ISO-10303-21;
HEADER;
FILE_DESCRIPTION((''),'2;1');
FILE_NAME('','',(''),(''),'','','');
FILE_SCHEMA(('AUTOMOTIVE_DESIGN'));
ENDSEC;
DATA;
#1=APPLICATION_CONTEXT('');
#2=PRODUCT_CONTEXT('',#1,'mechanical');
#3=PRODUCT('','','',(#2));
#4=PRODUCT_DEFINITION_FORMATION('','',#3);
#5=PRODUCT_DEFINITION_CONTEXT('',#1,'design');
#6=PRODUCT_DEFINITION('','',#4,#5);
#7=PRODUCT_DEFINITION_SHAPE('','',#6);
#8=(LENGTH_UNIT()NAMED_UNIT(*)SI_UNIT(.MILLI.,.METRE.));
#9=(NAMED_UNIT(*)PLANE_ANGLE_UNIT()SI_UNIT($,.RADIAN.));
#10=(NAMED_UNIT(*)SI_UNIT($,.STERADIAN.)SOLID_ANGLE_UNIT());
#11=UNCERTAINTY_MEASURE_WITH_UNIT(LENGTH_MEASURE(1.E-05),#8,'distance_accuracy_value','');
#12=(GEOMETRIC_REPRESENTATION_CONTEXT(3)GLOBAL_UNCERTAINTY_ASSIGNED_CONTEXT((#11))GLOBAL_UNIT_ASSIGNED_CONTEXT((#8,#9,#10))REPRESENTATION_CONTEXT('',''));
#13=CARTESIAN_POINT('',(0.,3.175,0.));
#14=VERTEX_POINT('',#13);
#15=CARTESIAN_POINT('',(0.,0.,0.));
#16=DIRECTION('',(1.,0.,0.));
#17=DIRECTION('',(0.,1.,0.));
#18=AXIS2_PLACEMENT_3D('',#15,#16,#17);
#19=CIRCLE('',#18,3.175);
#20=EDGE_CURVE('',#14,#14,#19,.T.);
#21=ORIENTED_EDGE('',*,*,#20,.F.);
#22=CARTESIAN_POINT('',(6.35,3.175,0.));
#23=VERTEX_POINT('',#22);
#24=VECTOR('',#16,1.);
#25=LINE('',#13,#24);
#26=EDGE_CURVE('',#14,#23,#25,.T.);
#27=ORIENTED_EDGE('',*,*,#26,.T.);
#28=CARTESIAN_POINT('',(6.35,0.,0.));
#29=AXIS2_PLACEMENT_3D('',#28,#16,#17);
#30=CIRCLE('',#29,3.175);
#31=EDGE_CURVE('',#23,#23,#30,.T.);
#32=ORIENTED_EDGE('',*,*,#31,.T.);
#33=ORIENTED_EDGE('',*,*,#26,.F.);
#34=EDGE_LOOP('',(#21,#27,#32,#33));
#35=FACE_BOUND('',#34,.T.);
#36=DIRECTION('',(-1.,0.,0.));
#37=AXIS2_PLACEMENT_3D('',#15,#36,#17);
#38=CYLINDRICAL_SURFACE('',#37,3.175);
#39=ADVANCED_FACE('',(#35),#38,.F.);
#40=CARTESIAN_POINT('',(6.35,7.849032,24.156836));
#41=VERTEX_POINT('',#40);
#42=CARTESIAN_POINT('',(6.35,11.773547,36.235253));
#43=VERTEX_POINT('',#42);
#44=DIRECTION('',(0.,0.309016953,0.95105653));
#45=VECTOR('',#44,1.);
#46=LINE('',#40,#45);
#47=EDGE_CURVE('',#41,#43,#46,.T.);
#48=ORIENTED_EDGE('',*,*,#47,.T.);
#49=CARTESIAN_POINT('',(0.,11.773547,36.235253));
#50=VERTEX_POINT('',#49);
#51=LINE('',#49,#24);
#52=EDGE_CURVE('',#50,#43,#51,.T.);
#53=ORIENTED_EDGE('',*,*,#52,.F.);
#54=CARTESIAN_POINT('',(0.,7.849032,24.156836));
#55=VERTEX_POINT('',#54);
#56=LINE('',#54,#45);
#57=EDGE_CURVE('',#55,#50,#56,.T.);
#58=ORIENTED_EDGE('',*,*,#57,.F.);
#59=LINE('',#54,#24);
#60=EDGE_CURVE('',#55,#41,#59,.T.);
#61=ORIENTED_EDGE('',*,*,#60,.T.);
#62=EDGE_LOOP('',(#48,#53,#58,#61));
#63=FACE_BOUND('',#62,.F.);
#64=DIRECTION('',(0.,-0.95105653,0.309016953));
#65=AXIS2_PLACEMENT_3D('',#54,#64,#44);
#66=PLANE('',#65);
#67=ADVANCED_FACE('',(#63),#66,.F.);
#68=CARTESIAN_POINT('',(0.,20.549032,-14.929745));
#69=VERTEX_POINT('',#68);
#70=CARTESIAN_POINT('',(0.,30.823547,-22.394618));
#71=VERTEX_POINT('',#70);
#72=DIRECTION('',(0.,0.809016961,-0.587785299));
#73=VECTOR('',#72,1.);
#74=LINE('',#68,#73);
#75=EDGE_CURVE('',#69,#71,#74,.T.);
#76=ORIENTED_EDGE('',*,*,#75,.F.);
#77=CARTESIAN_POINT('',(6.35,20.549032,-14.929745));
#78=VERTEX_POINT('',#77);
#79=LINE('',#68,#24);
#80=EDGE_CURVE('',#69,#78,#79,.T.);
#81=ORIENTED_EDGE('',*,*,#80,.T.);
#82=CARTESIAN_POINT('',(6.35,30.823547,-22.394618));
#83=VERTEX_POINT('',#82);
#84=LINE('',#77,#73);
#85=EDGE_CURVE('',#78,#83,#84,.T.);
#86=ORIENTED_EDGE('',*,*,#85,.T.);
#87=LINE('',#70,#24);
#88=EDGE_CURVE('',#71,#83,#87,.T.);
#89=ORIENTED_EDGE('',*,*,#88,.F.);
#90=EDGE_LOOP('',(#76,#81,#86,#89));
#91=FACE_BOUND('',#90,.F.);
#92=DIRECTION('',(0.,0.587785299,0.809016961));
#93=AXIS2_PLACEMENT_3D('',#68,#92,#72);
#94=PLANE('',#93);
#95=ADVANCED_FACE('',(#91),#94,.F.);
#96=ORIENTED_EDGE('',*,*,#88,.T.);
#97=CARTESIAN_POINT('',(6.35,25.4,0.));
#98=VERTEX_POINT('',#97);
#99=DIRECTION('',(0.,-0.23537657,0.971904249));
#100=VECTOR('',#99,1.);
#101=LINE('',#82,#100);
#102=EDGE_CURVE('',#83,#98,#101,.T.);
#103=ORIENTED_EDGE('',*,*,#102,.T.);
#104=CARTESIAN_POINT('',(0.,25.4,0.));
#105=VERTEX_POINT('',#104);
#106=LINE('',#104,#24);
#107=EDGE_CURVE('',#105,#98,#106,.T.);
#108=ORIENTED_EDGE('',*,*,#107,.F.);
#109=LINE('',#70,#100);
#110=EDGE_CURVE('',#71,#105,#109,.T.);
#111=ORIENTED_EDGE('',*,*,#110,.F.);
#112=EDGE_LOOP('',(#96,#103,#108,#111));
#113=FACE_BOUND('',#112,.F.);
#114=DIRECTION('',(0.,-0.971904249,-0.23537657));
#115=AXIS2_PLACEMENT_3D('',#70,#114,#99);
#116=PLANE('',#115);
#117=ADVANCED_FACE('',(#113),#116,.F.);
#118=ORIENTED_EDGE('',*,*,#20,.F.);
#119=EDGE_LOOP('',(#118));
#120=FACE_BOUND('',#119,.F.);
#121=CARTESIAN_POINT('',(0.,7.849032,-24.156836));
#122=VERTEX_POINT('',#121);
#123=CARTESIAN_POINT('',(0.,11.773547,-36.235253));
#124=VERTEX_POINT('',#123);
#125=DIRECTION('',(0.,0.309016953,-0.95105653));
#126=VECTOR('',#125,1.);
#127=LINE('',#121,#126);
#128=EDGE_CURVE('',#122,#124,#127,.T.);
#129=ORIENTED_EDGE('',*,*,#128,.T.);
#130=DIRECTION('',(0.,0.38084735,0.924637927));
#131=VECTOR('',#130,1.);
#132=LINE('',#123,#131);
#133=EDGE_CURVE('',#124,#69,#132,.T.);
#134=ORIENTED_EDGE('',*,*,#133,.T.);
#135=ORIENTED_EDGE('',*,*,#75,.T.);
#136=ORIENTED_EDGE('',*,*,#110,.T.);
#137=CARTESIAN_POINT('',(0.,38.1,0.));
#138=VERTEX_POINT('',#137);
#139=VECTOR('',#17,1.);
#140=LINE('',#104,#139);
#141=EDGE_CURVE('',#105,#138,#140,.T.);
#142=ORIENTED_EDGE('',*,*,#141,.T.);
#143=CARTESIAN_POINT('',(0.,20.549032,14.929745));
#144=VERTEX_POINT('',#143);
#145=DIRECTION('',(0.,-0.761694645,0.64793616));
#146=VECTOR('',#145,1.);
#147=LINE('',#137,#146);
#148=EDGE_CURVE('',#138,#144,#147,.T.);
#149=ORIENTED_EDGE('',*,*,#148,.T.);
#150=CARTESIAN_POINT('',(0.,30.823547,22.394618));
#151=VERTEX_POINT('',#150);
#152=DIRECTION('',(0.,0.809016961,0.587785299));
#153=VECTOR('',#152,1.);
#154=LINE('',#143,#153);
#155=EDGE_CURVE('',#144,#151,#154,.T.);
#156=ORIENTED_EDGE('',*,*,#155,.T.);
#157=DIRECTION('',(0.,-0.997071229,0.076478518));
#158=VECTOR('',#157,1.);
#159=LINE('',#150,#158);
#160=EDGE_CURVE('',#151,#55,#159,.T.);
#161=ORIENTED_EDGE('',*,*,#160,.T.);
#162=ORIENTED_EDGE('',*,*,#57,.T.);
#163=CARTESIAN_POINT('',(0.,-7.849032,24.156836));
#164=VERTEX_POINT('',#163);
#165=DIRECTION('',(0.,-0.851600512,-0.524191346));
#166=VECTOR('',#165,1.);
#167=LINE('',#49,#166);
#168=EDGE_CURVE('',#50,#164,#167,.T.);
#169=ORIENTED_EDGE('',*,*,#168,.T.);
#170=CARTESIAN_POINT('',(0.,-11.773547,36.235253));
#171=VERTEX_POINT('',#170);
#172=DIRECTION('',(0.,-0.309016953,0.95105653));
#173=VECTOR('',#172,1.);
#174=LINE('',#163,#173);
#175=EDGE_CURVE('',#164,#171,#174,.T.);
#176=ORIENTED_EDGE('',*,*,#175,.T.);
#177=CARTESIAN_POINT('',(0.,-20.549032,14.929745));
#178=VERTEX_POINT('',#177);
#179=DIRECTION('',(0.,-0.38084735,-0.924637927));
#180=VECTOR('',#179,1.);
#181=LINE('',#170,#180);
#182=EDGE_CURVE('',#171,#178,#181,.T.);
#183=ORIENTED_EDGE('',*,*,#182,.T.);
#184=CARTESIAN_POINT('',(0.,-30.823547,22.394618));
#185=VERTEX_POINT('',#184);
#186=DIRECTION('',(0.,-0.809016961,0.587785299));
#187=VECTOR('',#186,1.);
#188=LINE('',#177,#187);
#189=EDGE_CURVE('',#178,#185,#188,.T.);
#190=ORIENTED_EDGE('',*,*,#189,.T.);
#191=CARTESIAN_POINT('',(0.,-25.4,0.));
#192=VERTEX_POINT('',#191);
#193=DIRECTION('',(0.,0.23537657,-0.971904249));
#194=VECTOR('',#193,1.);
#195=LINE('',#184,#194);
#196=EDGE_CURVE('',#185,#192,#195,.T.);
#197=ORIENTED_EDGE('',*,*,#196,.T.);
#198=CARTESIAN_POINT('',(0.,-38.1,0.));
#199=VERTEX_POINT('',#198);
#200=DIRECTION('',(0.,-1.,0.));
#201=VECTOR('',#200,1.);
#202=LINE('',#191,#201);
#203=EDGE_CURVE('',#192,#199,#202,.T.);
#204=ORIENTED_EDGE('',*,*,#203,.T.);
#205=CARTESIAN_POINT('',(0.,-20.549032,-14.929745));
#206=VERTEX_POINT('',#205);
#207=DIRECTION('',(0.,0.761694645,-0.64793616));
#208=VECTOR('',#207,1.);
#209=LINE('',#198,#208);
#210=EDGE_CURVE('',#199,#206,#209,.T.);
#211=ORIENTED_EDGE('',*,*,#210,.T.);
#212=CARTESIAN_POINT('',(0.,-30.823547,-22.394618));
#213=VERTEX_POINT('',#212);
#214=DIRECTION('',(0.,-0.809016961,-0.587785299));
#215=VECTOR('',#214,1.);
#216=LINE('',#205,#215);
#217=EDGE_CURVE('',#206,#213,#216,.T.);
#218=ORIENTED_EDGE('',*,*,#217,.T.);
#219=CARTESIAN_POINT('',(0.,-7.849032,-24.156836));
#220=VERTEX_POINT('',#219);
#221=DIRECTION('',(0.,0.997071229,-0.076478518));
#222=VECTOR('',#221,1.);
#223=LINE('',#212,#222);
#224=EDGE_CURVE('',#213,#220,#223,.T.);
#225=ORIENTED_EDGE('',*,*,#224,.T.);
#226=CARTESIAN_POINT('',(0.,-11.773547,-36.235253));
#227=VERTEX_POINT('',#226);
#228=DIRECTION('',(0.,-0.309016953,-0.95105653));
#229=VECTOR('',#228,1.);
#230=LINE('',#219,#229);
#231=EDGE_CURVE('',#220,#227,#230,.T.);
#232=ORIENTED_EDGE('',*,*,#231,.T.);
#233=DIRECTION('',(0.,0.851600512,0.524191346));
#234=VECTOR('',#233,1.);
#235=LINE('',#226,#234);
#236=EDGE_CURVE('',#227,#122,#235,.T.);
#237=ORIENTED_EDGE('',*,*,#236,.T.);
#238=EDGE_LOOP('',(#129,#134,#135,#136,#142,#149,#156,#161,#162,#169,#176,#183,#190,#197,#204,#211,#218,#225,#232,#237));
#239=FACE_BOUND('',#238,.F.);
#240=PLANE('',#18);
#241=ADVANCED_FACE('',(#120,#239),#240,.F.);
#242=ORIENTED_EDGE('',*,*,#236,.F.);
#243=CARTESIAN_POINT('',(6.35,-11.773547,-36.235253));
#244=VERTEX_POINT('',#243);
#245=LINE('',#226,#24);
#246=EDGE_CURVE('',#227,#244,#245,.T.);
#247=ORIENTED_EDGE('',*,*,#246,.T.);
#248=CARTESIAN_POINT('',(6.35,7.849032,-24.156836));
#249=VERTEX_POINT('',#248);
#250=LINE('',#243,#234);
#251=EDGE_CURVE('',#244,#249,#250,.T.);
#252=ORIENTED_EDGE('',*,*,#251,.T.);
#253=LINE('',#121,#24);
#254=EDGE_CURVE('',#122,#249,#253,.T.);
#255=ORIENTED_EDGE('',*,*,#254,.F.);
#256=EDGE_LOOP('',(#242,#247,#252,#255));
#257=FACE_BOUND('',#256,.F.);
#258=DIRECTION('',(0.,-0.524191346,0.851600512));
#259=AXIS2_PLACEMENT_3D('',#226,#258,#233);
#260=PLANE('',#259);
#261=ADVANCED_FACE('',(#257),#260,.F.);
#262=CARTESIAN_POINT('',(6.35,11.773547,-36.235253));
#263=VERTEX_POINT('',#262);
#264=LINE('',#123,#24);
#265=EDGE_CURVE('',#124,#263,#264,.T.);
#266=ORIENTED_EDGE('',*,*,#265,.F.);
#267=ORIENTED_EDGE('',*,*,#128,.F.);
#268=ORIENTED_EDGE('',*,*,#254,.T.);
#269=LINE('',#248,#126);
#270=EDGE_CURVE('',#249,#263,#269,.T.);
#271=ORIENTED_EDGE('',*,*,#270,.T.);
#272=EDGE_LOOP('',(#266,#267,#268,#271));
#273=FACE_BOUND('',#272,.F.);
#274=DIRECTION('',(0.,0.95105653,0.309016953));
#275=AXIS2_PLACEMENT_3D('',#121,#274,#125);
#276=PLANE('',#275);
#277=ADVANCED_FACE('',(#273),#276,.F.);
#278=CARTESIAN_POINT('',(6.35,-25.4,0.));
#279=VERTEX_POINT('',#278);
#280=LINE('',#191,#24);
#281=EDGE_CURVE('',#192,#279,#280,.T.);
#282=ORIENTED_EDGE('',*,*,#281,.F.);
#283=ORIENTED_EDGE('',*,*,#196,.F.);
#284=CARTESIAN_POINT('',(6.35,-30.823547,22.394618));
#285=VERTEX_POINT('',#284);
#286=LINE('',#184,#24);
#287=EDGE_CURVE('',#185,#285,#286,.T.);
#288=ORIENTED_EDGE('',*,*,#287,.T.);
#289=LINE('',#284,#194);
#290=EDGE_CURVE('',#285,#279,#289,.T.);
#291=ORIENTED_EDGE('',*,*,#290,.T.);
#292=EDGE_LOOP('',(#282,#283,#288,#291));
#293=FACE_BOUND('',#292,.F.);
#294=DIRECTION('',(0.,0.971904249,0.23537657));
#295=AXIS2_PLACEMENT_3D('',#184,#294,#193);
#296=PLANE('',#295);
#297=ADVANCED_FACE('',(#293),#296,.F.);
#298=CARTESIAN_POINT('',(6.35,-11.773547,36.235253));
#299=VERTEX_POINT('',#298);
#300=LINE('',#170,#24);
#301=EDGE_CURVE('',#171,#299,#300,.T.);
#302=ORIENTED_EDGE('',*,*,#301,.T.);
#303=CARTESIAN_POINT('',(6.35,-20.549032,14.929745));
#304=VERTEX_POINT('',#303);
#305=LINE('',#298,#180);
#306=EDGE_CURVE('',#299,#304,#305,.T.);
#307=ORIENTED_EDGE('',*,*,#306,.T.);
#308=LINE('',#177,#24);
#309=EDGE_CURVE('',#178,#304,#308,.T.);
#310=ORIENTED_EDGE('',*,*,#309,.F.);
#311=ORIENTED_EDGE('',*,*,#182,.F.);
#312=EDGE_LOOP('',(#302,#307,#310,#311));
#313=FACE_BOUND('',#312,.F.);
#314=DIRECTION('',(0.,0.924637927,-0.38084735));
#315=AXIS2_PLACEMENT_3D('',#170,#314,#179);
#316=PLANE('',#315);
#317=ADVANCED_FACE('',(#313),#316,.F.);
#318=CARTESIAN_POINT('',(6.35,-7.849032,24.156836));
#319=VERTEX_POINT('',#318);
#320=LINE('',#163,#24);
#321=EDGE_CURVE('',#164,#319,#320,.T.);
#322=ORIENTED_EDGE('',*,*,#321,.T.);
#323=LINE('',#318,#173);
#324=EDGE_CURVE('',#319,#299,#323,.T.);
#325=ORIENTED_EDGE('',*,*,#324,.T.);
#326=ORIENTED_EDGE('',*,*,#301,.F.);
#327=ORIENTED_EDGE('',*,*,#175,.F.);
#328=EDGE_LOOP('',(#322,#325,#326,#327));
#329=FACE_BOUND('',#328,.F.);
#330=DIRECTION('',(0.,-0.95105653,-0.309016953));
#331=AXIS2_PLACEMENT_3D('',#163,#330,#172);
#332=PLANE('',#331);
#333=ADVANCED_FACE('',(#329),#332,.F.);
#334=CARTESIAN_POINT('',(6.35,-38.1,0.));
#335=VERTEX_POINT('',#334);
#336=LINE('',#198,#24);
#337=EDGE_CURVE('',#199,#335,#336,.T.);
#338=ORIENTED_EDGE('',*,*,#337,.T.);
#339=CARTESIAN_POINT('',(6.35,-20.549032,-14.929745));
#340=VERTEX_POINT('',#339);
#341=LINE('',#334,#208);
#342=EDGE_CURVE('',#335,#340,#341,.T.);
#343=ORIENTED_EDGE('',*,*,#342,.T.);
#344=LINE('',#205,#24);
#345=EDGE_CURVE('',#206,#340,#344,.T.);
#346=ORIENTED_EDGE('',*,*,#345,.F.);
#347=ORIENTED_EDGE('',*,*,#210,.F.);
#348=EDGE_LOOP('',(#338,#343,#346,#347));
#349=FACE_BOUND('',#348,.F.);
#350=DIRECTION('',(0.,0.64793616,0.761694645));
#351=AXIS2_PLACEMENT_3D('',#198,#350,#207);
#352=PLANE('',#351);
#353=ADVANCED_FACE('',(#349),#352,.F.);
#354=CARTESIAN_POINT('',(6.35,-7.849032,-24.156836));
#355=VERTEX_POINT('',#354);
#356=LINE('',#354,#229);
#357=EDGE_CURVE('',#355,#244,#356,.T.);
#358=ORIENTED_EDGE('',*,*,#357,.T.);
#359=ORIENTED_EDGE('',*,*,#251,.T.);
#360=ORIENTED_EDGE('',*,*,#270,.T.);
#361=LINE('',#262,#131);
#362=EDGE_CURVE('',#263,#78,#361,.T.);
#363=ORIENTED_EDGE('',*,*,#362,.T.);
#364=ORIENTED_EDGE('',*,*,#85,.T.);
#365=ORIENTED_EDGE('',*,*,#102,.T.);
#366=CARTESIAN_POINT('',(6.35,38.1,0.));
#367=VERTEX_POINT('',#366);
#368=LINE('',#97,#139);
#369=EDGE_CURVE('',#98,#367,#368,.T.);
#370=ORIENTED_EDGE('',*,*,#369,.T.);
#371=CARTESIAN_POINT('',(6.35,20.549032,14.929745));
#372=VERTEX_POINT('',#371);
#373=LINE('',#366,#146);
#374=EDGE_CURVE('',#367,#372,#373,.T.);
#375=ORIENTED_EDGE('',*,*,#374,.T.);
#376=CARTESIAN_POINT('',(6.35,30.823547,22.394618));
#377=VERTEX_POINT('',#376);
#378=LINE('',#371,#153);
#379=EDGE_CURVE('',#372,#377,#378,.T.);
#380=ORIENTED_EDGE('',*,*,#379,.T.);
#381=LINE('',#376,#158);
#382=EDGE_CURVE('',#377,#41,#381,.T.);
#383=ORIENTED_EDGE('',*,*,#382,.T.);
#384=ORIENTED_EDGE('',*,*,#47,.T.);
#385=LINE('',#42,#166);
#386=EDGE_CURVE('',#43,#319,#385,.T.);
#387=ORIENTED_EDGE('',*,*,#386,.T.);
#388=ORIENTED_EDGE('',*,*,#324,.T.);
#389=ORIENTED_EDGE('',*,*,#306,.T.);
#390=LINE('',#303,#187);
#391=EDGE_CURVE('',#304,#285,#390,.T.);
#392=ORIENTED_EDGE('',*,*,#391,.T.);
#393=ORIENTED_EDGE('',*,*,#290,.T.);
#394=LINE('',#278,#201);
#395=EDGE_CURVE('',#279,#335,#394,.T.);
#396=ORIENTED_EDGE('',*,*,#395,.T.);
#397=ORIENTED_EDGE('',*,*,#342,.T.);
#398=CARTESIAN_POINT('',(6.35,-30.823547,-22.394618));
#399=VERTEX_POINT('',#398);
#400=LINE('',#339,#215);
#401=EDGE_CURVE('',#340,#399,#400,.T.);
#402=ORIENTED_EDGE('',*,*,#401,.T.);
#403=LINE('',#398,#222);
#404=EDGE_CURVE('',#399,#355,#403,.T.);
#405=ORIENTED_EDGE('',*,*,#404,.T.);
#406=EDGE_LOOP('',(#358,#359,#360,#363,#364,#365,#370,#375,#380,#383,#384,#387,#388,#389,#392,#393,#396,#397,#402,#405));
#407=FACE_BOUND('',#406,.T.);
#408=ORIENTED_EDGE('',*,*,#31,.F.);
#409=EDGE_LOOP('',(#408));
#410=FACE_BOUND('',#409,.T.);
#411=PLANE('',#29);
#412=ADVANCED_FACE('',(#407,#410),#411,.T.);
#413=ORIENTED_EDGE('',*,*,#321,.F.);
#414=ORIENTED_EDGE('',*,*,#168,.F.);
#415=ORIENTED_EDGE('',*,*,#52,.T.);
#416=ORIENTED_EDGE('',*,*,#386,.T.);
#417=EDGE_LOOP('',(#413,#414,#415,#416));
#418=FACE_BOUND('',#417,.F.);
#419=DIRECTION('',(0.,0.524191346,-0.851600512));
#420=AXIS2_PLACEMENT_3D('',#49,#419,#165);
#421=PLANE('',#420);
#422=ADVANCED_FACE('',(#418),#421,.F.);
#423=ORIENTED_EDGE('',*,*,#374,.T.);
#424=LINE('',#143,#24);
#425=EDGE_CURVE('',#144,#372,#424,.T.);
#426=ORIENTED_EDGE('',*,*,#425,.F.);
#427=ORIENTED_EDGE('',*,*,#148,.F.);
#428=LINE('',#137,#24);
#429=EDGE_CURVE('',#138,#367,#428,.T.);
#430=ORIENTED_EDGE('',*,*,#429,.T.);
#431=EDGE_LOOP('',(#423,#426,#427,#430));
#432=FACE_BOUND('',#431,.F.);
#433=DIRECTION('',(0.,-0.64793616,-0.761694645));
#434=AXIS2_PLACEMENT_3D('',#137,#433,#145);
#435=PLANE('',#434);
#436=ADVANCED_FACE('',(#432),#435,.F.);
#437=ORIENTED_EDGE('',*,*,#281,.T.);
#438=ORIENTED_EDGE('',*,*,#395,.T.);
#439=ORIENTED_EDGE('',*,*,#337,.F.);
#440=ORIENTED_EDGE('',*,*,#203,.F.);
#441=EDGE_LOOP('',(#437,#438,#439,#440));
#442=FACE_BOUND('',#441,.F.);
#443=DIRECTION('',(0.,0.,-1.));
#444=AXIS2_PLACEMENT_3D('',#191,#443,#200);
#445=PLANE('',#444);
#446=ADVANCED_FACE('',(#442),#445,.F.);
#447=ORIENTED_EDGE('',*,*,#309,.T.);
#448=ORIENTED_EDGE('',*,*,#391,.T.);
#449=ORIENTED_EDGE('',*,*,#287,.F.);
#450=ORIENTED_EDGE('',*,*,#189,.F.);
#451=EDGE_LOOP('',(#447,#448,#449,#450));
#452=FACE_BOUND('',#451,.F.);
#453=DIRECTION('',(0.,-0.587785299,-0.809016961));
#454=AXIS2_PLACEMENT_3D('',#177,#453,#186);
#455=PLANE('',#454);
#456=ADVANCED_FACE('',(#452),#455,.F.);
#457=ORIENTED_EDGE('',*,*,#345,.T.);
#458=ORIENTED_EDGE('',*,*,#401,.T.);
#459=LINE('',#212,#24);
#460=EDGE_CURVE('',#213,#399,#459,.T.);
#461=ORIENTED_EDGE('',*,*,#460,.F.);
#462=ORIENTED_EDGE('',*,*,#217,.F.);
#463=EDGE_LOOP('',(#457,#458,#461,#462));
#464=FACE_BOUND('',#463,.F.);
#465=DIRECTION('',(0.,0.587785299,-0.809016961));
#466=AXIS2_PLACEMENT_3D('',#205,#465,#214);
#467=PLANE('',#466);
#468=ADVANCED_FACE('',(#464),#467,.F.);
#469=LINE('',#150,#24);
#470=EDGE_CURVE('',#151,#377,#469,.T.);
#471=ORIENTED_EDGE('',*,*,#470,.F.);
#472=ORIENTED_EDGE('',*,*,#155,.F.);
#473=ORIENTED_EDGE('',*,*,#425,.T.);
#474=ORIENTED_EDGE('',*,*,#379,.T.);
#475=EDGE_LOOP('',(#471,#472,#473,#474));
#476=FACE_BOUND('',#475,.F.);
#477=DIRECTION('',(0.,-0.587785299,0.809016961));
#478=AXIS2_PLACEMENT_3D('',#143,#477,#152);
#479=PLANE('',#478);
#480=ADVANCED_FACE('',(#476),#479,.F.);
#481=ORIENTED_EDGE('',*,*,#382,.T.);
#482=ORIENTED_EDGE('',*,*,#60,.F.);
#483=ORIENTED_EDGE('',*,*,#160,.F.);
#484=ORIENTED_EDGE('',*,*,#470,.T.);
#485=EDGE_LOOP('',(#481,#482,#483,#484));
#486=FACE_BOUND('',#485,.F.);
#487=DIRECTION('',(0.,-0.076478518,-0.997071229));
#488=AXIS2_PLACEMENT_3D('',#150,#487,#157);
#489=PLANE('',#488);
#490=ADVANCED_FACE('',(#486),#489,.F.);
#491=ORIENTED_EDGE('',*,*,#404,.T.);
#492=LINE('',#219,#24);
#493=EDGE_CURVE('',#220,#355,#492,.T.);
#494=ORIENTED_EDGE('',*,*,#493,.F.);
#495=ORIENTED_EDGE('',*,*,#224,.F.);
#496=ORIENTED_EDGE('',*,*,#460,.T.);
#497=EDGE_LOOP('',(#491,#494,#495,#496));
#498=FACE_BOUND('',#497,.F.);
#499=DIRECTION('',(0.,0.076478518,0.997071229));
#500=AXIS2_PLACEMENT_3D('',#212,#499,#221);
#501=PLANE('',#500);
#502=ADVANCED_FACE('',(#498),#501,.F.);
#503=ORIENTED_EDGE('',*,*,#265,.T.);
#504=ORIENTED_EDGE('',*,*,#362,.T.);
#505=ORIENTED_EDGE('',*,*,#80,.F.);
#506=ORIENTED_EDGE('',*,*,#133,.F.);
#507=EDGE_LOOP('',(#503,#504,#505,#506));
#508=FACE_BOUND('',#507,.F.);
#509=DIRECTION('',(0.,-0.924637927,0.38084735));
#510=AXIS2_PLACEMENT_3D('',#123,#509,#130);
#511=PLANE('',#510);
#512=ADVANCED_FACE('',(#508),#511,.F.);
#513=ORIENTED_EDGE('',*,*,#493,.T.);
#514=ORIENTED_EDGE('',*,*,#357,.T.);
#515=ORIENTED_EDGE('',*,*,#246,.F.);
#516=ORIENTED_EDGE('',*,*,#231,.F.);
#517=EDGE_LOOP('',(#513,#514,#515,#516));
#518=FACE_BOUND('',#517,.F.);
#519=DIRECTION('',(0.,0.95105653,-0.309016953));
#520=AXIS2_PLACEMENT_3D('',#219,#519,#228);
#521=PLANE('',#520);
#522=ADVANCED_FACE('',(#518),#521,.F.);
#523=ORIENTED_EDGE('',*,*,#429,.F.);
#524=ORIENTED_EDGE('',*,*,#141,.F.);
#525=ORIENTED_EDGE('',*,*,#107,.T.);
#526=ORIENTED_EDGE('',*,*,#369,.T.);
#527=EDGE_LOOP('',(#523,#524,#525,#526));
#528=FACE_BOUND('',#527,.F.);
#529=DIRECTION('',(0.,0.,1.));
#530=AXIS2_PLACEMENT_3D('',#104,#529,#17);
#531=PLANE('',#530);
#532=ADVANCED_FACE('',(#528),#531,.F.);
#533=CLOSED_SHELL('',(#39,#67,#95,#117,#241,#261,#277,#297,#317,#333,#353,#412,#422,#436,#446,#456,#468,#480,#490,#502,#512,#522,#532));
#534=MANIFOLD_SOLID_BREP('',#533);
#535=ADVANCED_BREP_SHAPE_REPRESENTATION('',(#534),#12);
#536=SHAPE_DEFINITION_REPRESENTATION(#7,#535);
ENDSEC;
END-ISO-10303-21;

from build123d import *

# Parameters (mm, degrees)
F0_R     = 3.175
F1_DEPTH = 6.35


with BuildPart() as f1:
    # F0 (on Right) → F1 (new body)
    with BuildSketch(Plane.YZ):
        Polygon((25.4, 0), (38.1, 0), (20.549032, 14.929745), (30.823547, 22.394618), (7.849032, 24.156836), (11.773547, 36.235253), (-7.849032, 24.156836), (-11.773547, 36.235253), (-20.549032, 14.929745), (-30.823547, 22.394618), (-25.4, 0), (-38.1, 0), (-20.549032, -14.929745), (-30.823547, -22.394618), (-7.849032, -24.156836), (-11.773547, -36.235253), (7.849032, -24.156836), (11.773547, -36.235253), (20.549032, -14.929745), (30.823547, -22.394618), align=None)
        Circle(F0_R, mode=Mode.SUBTRACT)
    extrude(amount=F1_DEPTH)


solid = f1.part
